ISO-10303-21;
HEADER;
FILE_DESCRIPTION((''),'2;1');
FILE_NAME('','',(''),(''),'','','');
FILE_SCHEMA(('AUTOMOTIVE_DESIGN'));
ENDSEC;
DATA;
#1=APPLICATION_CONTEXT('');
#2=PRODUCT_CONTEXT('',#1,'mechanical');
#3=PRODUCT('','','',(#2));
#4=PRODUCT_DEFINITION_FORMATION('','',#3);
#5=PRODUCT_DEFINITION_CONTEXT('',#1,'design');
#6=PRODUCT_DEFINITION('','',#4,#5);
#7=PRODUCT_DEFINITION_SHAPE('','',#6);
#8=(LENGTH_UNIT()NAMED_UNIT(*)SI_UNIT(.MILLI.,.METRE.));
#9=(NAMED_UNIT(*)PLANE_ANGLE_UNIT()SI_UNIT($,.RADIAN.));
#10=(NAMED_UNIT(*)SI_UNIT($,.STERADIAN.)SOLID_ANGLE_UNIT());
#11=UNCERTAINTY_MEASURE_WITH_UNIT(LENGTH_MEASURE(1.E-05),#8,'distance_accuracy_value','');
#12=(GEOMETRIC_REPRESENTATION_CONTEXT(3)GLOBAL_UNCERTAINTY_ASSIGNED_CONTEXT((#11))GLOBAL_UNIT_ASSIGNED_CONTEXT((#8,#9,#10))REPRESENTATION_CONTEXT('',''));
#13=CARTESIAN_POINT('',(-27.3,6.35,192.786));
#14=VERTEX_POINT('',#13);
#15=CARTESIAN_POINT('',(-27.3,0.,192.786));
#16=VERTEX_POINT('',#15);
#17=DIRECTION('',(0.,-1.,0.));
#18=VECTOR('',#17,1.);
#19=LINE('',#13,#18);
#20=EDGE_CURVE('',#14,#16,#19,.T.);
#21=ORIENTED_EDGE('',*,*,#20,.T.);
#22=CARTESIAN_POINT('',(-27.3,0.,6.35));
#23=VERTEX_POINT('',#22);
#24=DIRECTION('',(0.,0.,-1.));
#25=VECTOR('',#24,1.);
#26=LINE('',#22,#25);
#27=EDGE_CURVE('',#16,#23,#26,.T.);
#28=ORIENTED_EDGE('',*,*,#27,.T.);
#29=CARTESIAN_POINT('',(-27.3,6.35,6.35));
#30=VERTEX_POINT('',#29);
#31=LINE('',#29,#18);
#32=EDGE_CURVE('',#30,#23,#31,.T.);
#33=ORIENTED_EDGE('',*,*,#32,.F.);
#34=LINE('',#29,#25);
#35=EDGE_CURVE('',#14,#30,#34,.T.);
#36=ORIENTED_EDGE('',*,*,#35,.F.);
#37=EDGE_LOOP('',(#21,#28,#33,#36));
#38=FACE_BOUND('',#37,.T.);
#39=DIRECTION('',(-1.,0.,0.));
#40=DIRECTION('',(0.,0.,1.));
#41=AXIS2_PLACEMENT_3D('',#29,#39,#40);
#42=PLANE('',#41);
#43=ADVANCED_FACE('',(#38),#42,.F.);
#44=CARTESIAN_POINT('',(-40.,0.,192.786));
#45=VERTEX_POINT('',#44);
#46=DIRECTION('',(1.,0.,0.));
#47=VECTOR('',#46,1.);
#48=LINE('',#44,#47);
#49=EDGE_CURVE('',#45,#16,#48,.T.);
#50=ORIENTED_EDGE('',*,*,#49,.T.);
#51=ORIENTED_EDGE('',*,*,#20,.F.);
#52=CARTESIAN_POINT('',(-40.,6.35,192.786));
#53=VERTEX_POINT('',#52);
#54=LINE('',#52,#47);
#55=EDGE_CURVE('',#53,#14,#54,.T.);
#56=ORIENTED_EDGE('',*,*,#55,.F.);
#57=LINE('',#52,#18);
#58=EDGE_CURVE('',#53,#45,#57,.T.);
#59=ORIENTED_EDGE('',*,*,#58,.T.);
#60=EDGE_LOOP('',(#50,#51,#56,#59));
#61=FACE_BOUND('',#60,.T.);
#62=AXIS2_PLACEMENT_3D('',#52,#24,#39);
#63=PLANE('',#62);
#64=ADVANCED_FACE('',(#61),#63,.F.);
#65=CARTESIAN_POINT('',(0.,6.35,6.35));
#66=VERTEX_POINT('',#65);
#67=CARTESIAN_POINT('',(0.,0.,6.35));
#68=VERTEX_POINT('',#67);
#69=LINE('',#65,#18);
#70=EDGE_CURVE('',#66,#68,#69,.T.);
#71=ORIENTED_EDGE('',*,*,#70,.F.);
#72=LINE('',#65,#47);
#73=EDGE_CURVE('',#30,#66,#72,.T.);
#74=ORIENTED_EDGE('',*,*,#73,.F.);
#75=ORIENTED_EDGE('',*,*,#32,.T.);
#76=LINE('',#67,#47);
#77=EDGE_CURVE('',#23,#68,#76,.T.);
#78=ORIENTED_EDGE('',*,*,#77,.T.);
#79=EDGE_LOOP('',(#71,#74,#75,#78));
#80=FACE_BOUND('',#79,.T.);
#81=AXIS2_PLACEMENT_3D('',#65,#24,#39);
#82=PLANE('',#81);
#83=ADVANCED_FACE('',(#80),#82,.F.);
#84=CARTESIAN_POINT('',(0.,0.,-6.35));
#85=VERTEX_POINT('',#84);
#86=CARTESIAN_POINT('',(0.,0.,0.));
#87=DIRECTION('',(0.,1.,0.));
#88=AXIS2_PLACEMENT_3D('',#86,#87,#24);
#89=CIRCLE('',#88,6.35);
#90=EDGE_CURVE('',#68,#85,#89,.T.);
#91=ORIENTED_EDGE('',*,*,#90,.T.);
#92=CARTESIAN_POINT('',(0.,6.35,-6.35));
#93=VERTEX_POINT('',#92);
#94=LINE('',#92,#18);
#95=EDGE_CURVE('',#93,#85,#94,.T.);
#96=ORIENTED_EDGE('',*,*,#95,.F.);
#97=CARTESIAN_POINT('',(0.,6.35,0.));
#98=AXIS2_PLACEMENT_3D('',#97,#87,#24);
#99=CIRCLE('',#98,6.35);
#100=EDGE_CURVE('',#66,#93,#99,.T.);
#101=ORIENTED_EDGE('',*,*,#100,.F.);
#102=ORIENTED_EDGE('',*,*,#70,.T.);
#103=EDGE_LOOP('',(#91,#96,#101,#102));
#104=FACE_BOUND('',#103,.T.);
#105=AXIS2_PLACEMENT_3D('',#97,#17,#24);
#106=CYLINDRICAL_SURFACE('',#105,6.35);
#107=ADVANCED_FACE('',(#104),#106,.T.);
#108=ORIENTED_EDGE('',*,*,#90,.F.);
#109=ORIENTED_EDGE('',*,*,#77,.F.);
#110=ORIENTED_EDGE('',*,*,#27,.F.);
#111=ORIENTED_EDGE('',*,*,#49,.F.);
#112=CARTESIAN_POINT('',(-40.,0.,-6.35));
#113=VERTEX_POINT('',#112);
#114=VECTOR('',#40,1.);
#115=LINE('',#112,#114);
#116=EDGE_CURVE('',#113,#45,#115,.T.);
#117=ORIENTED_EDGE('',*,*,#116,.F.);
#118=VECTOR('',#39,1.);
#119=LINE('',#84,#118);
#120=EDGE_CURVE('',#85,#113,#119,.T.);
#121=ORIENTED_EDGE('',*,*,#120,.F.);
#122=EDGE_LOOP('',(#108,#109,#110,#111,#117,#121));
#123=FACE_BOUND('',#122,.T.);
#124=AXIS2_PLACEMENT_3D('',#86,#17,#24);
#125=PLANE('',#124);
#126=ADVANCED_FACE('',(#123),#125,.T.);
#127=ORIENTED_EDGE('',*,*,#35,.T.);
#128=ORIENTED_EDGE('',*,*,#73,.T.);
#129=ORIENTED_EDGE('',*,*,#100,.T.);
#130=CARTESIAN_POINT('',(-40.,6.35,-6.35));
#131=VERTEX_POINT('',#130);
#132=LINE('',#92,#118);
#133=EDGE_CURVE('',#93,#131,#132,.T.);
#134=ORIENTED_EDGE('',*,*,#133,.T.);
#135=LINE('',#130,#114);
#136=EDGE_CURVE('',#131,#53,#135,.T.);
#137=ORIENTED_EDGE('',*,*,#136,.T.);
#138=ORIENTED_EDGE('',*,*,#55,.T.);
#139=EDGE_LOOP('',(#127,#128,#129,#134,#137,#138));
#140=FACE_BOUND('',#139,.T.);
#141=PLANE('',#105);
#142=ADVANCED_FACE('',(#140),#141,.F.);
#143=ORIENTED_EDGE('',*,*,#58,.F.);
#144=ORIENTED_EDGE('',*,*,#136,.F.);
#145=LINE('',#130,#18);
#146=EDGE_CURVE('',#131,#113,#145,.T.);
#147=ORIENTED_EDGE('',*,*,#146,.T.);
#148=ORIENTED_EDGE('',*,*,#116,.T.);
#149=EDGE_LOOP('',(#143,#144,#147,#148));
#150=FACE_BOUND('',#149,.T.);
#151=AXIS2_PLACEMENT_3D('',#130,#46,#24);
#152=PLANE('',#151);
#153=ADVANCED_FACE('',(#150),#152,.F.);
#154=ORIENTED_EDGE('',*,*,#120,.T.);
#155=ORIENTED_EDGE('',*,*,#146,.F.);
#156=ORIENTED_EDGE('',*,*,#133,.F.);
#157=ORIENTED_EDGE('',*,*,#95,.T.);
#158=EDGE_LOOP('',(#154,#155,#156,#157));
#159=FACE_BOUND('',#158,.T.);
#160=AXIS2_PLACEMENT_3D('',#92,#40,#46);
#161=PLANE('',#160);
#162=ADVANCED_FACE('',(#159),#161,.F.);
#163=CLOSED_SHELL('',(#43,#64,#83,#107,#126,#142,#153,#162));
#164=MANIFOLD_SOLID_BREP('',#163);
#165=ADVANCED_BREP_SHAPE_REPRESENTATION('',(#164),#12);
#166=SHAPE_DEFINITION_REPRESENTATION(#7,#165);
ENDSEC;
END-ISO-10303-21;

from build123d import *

# Parameters (mm, degrees)
BOSS_EXTRUDE1_DEPTH = 6.35


with BuildPart() as part:
    # Sketch1 → Boss-Extrude1 (new body)
    with BuildSketch(Plane(origin=(0, 0, 0), x_dir=(1, 0, 0), z_dir=(0, 1, 0))):
        with BuildLine():
            Line((0, 6.35), (-40, 6.35))
            Line((-40, 6.35), (-40, -192.786))
            Line((-40, -192.786), (-27.3, -192.786))
            Line((-27.3, -192.786), (-27.3, -6.35))
            Line((-27.3, -6.35), (0, -6.35))
            ThreePointArc((0, -6.35), (6.35, 0), (0, 6.35))
        make_face()
    extrude(amount=BOSS_EXTRUDE1_DEPTH)


solid = part.part
